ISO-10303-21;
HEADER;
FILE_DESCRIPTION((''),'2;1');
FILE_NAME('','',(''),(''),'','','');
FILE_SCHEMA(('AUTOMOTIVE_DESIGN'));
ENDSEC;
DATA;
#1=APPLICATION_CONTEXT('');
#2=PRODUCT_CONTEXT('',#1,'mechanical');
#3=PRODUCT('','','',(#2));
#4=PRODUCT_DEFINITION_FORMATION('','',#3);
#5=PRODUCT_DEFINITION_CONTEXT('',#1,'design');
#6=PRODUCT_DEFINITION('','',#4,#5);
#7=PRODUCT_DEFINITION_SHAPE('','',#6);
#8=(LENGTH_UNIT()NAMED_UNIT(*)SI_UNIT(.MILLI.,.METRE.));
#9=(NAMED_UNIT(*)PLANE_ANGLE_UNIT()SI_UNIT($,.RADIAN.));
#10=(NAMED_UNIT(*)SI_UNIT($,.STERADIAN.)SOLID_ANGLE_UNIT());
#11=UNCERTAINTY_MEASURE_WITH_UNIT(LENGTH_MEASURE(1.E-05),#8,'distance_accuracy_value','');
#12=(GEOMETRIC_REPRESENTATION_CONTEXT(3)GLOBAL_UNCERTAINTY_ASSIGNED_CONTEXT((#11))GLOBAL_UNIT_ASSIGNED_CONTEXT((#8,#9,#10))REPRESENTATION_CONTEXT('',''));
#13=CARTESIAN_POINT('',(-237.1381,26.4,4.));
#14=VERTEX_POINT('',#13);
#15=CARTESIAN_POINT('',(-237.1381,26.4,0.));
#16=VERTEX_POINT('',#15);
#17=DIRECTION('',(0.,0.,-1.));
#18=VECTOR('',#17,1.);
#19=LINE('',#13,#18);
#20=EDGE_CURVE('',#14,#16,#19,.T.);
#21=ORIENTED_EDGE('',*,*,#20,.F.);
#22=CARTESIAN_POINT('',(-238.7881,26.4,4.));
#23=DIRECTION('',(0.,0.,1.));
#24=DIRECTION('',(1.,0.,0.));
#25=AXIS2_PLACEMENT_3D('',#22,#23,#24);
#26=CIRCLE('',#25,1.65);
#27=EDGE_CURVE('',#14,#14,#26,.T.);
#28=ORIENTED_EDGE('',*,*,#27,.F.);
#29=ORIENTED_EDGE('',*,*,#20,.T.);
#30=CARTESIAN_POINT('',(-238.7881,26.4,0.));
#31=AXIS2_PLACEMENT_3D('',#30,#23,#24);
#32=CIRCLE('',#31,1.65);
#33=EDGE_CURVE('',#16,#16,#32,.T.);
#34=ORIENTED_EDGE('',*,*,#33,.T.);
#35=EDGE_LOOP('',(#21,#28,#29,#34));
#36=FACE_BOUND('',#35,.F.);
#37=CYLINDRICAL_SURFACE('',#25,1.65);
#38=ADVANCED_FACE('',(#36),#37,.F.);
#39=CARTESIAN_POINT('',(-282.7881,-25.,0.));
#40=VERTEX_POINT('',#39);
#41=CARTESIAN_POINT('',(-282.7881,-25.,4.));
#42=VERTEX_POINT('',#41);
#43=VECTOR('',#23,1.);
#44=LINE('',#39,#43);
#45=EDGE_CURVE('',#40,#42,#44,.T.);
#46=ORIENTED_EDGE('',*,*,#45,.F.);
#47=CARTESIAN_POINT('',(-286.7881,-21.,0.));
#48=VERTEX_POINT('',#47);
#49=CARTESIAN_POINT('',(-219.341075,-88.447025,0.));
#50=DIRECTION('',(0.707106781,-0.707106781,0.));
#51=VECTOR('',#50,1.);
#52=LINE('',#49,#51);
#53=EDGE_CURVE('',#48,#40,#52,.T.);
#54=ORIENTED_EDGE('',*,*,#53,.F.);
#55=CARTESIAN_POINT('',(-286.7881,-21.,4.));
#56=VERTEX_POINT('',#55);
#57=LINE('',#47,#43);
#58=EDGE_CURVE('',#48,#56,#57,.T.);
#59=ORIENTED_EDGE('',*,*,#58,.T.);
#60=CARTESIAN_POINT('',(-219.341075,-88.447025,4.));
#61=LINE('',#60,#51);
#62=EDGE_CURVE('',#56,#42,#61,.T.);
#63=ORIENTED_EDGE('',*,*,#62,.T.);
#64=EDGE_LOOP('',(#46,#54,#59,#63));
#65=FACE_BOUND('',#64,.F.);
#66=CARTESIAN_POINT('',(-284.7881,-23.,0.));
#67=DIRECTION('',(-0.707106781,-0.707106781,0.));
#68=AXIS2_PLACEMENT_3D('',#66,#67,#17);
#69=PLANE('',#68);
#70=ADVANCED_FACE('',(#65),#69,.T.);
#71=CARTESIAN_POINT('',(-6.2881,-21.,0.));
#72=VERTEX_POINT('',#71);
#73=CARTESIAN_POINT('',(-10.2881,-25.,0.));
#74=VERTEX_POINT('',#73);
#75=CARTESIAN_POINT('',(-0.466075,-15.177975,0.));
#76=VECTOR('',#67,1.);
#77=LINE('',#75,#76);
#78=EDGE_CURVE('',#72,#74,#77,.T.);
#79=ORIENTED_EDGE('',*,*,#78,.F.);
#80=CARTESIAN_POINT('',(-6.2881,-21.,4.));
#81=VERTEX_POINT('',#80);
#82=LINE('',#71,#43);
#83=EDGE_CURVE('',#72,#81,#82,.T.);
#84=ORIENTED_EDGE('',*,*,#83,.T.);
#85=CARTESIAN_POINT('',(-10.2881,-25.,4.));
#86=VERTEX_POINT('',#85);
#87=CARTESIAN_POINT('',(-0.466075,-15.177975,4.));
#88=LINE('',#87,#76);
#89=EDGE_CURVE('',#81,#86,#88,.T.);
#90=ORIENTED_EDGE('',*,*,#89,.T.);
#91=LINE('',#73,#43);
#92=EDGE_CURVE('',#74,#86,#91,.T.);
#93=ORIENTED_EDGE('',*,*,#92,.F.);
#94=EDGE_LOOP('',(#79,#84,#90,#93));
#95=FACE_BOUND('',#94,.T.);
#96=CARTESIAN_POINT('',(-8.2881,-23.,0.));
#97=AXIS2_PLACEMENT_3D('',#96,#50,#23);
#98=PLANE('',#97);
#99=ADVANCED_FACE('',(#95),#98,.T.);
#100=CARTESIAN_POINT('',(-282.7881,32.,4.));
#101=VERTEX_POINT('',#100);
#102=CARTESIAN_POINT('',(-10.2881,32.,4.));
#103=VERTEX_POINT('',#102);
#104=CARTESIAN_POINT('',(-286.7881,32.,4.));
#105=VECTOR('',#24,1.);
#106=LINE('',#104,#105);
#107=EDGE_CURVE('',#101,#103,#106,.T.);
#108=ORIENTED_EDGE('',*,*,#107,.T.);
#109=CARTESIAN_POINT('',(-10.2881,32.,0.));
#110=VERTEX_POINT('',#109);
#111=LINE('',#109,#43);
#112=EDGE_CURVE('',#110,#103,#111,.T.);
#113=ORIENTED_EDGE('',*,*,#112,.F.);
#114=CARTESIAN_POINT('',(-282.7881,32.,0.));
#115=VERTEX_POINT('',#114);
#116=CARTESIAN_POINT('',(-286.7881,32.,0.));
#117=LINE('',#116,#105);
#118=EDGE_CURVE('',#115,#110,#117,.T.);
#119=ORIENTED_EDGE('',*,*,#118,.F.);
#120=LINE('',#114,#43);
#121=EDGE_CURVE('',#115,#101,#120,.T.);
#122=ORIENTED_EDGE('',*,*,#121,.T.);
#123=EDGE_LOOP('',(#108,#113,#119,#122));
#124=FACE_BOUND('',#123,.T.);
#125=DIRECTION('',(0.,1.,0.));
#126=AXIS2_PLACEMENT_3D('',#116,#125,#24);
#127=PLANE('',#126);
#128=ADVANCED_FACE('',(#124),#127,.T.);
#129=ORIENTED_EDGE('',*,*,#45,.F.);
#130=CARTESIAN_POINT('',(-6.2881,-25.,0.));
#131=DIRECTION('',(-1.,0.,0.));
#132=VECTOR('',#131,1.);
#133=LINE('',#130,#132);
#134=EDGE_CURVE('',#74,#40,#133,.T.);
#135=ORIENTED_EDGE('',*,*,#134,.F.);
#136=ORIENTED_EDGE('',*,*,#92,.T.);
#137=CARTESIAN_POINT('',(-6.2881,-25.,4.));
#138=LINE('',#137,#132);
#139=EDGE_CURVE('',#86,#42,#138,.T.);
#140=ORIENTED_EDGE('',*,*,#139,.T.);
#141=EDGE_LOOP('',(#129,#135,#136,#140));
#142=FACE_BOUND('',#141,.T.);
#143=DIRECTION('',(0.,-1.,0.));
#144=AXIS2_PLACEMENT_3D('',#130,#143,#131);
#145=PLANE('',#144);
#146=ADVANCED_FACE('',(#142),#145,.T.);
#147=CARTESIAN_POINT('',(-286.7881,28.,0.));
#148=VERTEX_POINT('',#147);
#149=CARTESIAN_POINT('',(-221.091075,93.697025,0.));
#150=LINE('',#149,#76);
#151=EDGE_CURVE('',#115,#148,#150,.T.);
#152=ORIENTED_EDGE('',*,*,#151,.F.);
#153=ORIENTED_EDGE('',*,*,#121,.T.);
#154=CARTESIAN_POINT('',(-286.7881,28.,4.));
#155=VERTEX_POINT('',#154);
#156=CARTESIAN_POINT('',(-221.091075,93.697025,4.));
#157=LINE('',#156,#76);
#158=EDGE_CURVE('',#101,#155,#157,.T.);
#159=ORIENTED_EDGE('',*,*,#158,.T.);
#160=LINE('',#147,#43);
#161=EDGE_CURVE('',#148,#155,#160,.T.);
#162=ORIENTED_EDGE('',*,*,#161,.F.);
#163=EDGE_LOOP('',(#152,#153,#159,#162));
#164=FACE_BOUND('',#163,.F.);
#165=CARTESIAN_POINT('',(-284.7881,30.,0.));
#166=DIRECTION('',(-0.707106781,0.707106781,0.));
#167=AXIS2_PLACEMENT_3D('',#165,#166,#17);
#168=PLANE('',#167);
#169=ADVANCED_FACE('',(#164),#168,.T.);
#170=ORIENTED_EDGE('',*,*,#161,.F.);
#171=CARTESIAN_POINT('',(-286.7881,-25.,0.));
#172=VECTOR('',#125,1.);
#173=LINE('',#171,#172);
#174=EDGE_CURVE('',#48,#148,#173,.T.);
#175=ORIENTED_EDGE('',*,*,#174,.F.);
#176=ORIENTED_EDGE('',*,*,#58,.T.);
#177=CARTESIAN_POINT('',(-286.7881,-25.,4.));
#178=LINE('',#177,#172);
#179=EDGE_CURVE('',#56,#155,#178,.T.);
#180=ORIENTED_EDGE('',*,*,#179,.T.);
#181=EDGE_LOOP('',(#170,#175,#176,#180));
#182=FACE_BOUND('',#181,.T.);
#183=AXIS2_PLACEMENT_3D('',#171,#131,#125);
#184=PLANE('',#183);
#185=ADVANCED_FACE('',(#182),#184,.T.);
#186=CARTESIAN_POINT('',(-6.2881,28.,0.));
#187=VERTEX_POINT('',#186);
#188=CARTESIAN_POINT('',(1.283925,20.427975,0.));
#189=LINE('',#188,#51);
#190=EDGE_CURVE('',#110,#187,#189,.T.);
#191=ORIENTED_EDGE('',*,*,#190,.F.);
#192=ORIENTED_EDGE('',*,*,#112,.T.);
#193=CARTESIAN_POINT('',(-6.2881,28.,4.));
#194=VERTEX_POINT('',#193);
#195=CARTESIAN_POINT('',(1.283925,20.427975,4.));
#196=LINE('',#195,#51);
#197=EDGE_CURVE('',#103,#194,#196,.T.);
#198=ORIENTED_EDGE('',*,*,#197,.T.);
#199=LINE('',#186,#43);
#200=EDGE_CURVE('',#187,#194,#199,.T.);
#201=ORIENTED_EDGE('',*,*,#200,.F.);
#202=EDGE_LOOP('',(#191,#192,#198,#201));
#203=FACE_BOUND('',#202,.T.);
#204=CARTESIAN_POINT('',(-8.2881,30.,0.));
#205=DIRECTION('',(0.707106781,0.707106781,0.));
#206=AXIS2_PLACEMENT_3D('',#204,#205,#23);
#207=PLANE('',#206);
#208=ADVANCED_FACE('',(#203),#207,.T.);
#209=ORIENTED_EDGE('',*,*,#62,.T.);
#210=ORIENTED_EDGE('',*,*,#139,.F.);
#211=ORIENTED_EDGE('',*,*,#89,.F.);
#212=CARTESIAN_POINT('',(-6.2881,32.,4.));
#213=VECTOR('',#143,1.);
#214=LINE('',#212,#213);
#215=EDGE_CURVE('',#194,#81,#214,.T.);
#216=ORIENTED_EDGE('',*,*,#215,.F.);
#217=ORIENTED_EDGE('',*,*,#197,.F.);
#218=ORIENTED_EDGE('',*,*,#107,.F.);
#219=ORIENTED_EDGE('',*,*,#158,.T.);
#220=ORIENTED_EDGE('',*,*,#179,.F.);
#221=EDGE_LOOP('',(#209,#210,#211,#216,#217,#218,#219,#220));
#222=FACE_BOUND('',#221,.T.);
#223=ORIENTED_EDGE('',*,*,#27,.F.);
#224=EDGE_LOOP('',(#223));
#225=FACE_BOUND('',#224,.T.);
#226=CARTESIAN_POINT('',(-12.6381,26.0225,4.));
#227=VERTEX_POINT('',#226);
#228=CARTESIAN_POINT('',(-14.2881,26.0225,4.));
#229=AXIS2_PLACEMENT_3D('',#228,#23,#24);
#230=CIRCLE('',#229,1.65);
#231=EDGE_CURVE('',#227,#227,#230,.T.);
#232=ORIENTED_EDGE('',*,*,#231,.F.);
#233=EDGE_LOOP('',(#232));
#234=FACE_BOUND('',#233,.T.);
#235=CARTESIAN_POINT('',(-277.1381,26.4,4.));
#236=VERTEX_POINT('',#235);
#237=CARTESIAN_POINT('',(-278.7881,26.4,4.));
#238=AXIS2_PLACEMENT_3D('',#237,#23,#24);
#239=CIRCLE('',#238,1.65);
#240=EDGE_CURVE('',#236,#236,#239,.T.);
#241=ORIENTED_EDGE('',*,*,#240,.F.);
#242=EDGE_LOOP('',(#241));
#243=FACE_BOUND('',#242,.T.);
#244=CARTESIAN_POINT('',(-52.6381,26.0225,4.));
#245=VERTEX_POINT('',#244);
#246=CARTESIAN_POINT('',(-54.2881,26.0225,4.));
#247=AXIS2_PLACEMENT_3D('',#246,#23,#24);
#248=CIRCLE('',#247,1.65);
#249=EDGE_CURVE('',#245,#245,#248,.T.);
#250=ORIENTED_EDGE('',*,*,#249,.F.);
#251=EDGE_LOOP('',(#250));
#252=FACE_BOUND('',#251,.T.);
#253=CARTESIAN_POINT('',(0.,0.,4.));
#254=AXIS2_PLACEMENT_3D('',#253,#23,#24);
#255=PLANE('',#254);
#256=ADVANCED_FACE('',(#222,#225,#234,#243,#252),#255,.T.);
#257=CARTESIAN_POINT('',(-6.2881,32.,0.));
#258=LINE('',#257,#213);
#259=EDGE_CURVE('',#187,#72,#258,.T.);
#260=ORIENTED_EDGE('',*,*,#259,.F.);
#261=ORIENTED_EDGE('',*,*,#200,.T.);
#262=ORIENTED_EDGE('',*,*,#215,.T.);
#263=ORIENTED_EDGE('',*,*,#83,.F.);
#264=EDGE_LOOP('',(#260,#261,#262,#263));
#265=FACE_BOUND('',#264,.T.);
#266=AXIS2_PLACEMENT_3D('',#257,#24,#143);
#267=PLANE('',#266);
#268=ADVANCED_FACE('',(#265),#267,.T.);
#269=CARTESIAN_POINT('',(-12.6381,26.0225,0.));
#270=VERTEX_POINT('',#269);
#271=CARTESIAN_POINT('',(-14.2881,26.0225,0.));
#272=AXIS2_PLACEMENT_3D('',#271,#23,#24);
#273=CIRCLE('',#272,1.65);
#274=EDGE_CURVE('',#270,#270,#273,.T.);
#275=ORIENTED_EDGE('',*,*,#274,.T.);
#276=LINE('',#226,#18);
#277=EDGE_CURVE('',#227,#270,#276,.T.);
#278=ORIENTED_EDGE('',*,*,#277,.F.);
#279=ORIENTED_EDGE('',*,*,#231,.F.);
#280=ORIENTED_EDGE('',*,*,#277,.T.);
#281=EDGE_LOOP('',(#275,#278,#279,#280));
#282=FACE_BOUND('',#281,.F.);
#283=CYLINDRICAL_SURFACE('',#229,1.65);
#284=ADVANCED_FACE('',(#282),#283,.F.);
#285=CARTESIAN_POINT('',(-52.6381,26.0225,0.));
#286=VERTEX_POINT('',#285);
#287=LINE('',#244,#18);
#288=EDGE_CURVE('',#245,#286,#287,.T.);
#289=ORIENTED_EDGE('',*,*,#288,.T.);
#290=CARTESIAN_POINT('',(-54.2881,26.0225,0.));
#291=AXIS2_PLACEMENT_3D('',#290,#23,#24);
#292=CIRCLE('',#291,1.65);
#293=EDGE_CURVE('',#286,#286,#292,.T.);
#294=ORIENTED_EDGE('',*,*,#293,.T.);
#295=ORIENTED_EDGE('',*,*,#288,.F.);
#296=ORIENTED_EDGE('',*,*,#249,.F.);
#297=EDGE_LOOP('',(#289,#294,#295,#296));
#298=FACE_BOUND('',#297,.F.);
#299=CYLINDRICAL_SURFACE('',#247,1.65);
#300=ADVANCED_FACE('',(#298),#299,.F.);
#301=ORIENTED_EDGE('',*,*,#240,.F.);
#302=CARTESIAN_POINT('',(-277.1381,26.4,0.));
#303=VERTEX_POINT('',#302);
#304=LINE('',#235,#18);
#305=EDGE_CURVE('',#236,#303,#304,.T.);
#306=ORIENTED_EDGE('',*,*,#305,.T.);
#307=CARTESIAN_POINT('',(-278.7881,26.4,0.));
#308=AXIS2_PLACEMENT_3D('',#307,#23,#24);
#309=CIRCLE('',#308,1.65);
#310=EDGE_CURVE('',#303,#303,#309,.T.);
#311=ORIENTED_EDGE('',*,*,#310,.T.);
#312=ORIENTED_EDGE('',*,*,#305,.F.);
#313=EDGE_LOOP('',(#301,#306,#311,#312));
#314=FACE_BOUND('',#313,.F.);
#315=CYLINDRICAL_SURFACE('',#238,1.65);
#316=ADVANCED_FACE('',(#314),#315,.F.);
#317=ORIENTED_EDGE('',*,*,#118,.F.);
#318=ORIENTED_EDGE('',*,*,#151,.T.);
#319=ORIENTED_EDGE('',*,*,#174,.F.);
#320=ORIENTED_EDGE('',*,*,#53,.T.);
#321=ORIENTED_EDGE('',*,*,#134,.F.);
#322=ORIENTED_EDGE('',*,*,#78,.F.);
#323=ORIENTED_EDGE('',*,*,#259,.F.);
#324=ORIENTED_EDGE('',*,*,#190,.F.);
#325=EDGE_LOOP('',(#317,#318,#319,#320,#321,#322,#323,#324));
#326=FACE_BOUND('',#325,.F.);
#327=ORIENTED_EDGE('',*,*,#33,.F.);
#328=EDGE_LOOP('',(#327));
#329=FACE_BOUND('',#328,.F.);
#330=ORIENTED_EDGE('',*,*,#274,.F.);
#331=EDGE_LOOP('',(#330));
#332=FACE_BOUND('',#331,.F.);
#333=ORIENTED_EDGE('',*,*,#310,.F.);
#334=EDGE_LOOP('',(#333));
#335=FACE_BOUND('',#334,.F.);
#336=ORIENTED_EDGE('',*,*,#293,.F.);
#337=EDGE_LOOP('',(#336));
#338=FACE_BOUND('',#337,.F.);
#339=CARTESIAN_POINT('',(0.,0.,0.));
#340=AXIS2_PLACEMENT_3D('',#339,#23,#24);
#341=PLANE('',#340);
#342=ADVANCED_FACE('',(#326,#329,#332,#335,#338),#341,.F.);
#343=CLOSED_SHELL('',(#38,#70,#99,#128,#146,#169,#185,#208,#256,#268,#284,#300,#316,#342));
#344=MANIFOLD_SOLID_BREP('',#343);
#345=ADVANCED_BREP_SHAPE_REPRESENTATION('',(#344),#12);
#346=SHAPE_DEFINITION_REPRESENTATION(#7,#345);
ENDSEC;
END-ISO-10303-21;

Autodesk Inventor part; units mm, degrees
ref_plane "YZ Plane" through (0, 0, 0) normal (1, 0, 0) x (0, 1, 0)
ref_plane "XZ Plane" through (0, 0, 0) normal (0, 1, 0) x (-1, 0, 0)
ref_plane "XY Plane" through (0, 0, 0) normal (0, 0, 1) x (1, 0, 0)
sketch "Эскиз1" plane through (0, 0, 0) normal (0, 0, 1) x (1, 0, 0)
  line L0 (-286.7881, 32) -> (-6.2881, 32)
  line L1 (-6.2881, 32) -> (-6.2881, -25)
  line L2 (-6.2881, -25) -> (-286.7881, -25)
  line L3 (-286.7881, -25) -> (-286.7881, 32)
  line L4 (-286.7881, 32) -> (-6.2881, -25) construction
  line L5 (-6.2881, 32) -> (-286.7881, -25) construction
  point P0 (0, 0)
  point P1 (-146.5381, 3.5)
  dimension "d0" = 280.5
  dimension "d1" = 57
extrude "Выдавливание1" add sketch "Эскиз1" along normal blind 4
sketch "Эскиз2" plane through (0, 0, 4) normal (0, 0, 1) x (1, 0, 0)
  circle A0 centre (-54.2881, 26.0225) radius 2.1 construction
  circle A1 centre (-14.2881, 26.0225) radius 2.1 construction
  circle A2 centre (-278.7881, 26.4) radius 2.1 construction
  circle A3 centre (-238.7881, 26.4) radius 2.1 construction
  circle A4 centre (-14.2881, 26.0225) radius 1.65
  circle A5 centre (-54.2881, 26.0225) radius 1.65
  circle A6 centre (-238.7881, 26.4) radius 1.65
  circle A7 centre (-278.7881, 26.4) radius 1.65
  point P0 (0, 0)
  dimension "d4" = 3.3
  dimension "d5" = 3.3
  dimension "d6" = 3.3
  dimension "d7" = 3.3
extrude "Выдавливание2" cut sketch "Эскиз2" against normal blind 4
chamfer "Фаска1" distance 4 angle 45 4 edges at (-286.7881, 32, 2) (-286.7881, -25, 2) (-6.2881, -25, 2) (-6.2881, 32, 2)
properties part number "фанера_для_электр"
